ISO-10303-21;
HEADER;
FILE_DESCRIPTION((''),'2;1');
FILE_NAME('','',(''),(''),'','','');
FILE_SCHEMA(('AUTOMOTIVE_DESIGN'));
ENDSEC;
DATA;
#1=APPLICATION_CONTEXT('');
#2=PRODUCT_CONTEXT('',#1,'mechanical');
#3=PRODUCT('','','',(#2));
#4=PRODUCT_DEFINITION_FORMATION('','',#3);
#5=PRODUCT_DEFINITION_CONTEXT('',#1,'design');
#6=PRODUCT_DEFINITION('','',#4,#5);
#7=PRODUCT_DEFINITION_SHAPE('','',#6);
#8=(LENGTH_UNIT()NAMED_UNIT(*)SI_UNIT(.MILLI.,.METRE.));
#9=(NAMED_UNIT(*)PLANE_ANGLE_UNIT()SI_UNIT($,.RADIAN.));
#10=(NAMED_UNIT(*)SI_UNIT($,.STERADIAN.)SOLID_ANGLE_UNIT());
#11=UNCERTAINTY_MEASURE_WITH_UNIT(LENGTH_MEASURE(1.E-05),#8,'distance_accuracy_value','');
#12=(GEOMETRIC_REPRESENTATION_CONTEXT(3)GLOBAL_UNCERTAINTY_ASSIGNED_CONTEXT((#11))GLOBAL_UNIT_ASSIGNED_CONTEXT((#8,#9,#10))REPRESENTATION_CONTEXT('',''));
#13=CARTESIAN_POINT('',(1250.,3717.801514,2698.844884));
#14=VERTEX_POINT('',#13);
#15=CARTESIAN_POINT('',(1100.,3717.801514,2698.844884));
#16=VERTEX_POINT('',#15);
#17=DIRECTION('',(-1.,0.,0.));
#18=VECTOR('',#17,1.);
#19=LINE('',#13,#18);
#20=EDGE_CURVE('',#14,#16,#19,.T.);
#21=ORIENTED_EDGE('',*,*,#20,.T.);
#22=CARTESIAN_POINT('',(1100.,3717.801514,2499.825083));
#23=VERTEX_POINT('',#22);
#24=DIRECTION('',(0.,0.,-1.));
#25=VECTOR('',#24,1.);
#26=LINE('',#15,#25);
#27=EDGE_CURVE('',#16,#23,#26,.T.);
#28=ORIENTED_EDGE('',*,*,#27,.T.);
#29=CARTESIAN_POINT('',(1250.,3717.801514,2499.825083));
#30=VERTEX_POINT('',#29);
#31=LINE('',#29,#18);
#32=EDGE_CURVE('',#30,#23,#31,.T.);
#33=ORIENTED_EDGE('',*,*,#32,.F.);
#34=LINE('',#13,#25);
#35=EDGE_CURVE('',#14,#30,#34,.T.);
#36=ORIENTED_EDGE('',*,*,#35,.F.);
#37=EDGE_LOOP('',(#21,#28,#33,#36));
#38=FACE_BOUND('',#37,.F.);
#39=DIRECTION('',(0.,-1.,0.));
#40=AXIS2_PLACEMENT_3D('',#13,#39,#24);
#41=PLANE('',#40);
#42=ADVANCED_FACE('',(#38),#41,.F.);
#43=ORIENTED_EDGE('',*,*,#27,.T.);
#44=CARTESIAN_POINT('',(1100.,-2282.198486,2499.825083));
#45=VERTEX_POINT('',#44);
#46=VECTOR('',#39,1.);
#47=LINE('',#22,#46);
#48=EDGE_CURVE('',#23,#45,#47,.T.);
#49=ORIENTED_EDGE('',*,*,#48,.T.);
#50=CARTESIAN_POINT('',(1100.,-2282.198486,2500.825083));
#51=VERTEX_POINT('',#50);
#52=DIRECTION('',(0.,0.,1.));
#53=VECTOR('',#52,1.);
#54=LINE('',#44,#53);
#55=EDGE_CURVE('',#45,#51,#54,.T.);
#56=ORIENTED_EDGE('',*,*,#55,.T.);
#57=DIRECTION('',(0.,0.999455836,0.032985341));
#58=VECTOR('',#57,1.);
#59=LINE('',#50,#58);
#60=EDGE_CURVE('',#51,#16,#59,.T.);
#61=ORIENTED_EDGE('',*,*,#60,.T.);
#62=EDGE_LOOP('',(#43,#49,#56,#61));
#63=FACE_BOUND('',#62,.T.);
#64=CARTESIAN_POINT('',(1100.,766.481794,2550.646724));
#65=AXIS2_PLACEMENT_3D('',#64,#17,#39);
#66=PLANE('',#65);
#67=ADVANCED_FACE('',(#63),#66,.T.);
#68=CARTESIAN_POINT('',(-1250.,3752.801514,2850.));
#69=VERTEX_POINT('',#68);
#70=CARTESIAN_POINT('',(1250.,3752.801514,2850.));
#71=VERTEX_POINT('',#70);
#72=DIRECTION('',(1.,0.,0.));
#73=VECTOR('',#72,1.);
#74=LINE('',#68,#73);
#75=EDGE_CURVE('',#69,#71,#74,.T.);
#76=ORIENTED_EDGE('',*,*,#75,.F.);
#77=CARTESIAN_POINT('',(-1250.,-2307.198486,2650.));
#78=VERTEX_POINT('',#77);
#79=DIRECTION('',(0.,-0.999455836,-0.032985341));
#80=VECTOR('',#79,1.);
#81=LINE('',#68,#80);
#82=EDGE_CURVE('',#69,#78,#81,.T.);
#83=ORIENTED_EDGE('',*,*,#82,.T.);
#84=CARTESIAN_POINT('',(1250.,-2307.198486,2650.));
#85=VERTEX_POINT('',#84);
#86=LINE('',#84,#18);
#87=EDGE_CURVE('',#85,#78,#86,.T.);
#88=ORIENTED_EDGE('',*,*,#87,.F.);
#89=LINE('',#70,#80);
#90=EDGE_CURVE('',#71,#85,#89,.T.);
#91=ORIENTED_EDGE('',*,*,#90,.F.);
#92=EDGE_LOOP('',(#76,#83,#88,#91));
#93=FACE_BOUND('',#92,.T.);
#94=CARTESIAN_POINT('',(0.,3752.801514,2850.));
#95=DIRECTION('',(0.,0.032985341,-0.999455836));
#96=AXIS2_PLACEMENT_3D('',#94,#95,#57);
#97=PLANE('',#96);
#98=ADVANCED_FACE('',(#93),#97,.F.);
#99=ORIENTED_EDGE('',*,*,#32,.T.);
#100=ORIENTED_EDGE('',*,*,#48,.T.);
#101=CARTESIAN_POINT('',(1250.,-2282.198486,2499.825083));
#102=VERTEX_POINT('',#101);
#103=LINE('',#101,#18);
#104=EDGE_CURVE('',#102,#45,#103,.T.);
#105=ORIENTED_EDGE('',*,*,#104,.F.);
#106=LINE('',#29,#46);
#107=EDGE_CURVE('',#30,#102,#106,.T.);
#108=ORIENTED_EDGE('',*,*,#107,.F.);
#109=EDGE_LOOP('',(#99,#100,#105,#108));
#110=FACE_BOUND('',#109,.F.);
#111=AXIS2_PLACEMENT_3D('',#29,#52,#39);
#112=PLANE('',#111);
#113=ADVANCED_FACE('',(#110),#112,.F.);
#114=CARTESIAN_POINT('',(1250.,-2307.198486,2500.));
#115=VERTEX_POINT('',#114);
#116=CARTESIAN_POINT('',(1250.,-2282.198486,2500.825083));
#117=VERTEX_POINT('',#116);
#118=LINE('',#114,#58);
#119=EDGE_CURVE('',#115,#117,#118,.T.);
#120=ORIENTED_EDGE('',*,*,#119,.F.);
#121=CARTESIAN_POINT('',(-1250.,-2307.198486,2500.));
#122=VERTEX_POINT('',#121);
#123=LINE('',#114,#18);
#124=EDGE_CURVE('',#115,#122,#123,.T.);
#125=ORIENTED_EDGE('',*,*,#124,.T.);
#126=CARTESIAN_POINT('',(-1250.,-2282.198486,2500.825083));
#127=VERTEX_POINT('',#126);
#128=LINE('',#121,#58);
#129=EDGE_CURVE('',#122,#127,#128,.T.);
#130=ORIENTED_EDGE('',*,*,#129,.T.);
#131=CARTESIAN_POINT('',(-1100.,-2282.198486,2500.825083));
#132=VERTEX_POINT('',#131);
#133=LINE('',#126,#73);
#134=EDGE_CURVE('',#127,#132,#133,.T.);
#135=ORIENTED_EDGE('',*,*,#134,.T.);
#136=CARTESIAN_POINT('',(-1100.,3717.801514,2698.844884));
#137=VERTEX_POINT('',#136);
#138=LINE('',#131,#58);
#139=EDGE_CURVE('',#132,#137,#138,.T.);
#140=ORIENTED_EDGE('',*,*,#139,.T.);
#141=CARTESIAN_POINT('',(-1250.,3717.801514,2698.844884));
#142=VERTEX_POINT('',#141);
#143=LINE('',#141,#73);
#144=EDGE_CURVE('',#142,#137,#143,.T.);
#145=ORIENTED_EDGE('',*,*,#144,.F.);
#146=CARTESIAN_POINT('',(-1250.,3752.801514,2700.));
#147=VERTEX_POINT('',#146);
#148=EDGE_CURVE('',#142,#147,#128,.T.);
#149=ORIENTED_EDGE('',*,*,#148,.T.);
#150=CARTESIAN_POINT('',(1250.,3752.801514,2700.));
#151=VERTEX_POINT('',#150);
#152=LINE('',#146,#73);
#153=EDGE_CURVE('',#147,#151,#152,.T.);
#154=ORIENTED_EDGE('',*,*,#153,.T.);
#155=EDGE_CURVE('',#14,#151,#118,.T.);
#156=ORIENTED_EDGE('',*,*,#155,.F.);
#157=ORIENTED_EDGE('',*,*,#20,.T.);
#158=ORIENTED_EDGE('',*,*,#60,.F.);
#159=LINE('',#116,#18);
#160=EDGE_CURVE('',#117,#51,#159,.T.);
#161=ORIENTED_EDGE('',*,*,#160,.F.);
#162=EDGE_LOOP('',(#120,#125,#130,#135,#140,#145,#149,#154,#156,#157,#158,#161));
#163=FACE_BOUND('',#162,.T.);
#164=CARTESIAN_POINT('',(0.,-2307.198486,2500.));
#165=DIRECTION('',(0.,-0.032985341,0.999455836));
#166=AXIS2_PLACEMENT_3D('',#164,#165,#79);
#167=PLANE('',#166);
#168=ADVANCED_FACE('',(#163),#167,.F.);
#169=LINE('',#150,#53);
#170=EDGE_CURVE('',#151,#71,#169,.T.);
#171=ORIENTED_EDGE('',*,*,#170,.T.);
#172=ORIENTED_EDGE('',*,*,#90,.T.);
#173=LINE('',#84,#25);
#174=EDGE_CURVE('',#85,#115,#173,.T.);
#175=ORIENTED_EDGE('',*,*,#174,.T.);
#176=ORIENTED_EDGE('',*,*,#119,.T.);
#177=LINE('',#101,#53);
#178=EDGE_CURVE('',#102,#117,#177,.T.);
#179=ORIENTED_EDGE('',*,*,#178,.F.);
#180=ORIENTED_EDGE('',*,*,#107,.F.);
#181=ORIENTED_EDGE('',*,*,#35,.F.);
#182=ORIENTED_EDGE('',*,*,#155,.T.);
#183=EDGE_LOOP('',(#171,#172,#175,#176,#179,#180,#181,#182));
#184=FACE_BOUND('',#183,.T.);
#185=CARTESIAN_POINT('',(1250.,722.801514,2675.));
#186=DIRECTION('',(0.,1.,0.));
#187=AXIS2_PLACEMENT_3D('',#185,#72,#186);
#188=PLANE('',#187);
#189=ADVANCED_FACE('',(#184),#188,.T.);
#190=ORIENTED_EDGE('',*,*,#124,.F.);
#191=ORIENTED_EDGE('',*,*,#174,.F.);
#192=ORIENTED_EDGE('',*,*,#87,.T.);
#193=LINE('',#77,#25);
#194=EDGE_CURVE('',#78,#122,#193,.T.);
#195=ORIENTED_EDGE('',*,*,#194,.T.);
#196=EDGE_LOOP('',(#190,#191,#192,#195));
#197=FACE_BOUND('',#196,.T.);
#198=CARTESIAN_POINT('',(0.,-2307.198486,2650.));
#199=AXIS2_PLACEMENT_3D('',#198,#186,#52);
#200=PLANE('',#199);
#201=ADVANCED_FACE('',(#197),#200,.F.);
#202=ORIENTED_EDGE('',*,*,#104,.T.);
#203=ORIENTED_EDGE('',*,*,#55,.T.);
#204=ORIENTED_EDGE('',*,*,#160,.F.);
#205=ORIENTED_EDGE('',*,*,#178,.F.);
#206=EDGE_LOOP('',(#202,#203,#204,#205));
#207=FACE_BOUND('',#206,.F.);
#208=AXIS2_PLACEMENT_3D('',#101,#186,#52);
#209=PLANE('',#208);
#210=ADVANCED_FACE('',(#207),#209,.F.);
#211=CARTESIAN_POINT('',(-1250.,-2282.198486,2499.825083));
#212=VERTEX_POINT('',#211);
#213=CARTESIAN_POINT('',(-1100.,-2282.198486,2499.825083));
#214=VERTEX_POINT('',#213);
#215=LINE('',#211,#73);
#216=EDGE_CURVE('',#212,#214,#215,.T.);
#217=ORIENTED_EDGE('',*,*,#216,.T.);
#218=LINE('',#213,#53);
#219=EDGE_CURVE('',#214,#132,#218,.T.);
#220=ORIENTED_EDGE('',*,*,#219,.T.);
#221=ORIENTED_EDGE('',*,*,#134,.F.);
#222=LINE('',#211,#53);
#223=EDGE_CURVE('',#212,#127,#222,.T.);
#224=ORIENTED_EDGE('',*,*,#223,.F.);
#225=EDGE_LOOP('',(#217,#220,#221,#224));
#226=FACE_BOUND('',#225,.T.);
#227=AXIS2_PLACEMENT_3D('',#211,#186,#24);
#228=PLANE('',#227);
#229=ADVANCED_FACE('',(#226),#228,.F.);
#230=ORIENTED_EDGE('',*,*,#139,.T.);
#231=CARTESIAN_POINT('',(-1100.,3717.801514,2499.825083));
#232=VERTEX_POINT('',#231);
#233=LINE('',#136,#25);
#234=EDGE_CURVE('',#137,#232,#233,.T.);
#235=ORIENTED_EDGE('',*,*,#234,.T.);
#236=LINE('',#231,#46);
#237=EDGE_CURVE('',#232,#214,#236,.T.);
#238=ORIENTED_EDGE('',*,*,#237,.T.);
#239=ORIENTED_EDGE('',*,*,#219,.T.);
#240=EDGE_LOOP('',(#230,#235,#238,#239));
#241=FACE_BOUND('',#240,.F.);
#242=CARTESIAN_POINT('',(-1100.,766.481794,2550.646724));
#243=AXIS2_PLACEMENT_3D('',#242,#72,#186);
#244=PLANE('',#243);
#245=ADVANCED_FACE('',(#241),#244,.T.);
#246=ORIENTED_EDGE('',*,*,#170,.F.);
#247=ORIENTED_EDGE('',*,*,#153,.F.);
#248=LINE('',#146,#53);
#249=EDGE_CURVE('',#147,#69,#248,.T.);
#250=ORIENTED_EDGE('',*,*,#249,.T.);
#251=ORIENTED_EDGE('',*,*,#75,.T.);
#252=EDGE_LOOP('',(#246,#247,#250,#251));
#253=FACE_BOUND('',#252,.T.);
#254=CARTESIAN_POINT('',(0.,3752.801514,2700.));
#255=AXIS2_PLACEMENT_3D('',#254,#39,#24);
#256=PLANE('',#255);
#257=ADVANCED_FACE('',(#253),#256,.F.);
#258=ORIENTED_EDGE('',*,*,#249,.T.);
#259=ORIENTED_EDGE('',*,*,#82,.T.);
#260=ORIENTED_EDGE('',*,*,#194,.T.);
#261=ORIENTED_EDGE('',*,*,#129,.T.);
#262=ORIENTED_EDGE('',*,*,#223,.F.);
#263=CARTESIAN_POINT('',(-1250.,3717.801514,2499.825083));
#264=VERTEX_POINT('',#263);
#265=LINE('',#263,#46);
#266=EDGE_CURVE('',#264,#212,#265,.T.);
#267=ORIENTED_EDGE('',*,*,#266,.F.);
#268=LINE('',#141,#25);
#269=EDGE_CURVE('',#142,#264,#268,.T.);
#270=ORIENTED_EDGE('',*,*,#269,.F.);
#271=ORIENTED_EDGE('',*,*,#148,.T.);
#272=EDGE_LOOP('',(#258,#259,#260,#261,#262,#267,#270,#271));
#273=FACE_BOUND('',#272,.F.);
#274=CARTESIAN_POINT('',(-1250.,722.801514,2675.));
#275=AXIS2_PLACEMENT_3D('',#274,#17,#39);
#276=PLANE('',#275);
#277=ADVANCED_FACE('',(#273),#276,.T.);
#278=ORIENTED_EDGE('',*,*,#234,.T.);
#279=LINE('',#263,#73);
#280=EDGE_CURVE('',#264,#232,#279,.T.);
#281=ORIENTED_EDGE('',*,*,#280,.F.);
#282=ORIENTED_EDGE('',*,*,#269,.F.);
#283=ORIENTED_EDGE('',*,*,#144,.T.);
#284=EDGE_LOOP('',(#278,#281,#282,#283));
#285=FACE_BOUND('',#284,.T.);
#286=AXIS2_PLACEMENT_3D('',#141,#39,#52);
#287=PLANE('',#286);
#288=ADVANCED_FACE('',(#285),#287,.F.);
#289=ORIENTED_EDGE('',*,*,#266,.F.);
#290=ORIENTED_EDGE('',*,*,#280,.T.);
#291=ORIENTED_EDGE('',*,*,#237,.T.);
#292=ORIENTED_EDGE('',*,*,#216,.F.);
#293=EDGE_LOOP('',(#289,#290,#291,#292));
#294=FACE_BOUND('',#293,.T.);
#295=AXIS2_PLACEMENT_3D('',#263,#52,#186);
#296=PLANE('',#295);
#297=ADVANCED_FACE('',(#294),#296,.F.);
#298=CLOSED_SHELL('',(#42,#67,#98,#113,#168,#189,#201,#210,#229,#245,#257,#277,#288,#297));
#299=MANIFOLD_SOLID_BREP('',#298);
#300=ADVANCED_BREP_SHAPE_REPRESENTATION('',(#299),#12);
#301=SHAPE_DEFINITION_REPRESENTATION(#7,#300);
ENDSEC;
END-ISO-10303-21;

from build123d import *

# Parameters (mm, degrees)
PAD006_DEPTH = 1250
PAD007_DEPTH = 150


with BuildPart() as pad007:
    # Sketch015 → Pad006 (new body)
    with BuildSketch(Plane.YZ):
        Polygon((-2307.198486, 2500), (3752.801514, 2700), (3752.801514, 2850), (-2307.198486, 2650), align=None)
    extrude(amount=PAD006_DEPTH)

    # Sketch016 → Pad007 (new body)
    with BuildSketch(Plane.YZ.offset(1250)):
        Polygon((-2282.198486, 2500.8250825082), (3717.801514, 2698.8448844884), (3717.801514, 2499.8250825082), (-2282.198486, 2499.8250825082), align=None)
    extrude(amount=-PAD007_DEPTH)


with BuildPart() as part_mirroring:
    # Part__Mirroring: instance of Pad007
    add(pad007.part.mirror(Plane(origin=(0, 0, 0), x_dir=(0, -1, 0), z_dir=(1, 0, 0))))


with BuildPart() as roof:
    # Fusion base: copy of Pad007
    add(pad007.part)

    # Fusion: union Part__Mirroring
    add(part_mirroring.part)


solid = roof.part
